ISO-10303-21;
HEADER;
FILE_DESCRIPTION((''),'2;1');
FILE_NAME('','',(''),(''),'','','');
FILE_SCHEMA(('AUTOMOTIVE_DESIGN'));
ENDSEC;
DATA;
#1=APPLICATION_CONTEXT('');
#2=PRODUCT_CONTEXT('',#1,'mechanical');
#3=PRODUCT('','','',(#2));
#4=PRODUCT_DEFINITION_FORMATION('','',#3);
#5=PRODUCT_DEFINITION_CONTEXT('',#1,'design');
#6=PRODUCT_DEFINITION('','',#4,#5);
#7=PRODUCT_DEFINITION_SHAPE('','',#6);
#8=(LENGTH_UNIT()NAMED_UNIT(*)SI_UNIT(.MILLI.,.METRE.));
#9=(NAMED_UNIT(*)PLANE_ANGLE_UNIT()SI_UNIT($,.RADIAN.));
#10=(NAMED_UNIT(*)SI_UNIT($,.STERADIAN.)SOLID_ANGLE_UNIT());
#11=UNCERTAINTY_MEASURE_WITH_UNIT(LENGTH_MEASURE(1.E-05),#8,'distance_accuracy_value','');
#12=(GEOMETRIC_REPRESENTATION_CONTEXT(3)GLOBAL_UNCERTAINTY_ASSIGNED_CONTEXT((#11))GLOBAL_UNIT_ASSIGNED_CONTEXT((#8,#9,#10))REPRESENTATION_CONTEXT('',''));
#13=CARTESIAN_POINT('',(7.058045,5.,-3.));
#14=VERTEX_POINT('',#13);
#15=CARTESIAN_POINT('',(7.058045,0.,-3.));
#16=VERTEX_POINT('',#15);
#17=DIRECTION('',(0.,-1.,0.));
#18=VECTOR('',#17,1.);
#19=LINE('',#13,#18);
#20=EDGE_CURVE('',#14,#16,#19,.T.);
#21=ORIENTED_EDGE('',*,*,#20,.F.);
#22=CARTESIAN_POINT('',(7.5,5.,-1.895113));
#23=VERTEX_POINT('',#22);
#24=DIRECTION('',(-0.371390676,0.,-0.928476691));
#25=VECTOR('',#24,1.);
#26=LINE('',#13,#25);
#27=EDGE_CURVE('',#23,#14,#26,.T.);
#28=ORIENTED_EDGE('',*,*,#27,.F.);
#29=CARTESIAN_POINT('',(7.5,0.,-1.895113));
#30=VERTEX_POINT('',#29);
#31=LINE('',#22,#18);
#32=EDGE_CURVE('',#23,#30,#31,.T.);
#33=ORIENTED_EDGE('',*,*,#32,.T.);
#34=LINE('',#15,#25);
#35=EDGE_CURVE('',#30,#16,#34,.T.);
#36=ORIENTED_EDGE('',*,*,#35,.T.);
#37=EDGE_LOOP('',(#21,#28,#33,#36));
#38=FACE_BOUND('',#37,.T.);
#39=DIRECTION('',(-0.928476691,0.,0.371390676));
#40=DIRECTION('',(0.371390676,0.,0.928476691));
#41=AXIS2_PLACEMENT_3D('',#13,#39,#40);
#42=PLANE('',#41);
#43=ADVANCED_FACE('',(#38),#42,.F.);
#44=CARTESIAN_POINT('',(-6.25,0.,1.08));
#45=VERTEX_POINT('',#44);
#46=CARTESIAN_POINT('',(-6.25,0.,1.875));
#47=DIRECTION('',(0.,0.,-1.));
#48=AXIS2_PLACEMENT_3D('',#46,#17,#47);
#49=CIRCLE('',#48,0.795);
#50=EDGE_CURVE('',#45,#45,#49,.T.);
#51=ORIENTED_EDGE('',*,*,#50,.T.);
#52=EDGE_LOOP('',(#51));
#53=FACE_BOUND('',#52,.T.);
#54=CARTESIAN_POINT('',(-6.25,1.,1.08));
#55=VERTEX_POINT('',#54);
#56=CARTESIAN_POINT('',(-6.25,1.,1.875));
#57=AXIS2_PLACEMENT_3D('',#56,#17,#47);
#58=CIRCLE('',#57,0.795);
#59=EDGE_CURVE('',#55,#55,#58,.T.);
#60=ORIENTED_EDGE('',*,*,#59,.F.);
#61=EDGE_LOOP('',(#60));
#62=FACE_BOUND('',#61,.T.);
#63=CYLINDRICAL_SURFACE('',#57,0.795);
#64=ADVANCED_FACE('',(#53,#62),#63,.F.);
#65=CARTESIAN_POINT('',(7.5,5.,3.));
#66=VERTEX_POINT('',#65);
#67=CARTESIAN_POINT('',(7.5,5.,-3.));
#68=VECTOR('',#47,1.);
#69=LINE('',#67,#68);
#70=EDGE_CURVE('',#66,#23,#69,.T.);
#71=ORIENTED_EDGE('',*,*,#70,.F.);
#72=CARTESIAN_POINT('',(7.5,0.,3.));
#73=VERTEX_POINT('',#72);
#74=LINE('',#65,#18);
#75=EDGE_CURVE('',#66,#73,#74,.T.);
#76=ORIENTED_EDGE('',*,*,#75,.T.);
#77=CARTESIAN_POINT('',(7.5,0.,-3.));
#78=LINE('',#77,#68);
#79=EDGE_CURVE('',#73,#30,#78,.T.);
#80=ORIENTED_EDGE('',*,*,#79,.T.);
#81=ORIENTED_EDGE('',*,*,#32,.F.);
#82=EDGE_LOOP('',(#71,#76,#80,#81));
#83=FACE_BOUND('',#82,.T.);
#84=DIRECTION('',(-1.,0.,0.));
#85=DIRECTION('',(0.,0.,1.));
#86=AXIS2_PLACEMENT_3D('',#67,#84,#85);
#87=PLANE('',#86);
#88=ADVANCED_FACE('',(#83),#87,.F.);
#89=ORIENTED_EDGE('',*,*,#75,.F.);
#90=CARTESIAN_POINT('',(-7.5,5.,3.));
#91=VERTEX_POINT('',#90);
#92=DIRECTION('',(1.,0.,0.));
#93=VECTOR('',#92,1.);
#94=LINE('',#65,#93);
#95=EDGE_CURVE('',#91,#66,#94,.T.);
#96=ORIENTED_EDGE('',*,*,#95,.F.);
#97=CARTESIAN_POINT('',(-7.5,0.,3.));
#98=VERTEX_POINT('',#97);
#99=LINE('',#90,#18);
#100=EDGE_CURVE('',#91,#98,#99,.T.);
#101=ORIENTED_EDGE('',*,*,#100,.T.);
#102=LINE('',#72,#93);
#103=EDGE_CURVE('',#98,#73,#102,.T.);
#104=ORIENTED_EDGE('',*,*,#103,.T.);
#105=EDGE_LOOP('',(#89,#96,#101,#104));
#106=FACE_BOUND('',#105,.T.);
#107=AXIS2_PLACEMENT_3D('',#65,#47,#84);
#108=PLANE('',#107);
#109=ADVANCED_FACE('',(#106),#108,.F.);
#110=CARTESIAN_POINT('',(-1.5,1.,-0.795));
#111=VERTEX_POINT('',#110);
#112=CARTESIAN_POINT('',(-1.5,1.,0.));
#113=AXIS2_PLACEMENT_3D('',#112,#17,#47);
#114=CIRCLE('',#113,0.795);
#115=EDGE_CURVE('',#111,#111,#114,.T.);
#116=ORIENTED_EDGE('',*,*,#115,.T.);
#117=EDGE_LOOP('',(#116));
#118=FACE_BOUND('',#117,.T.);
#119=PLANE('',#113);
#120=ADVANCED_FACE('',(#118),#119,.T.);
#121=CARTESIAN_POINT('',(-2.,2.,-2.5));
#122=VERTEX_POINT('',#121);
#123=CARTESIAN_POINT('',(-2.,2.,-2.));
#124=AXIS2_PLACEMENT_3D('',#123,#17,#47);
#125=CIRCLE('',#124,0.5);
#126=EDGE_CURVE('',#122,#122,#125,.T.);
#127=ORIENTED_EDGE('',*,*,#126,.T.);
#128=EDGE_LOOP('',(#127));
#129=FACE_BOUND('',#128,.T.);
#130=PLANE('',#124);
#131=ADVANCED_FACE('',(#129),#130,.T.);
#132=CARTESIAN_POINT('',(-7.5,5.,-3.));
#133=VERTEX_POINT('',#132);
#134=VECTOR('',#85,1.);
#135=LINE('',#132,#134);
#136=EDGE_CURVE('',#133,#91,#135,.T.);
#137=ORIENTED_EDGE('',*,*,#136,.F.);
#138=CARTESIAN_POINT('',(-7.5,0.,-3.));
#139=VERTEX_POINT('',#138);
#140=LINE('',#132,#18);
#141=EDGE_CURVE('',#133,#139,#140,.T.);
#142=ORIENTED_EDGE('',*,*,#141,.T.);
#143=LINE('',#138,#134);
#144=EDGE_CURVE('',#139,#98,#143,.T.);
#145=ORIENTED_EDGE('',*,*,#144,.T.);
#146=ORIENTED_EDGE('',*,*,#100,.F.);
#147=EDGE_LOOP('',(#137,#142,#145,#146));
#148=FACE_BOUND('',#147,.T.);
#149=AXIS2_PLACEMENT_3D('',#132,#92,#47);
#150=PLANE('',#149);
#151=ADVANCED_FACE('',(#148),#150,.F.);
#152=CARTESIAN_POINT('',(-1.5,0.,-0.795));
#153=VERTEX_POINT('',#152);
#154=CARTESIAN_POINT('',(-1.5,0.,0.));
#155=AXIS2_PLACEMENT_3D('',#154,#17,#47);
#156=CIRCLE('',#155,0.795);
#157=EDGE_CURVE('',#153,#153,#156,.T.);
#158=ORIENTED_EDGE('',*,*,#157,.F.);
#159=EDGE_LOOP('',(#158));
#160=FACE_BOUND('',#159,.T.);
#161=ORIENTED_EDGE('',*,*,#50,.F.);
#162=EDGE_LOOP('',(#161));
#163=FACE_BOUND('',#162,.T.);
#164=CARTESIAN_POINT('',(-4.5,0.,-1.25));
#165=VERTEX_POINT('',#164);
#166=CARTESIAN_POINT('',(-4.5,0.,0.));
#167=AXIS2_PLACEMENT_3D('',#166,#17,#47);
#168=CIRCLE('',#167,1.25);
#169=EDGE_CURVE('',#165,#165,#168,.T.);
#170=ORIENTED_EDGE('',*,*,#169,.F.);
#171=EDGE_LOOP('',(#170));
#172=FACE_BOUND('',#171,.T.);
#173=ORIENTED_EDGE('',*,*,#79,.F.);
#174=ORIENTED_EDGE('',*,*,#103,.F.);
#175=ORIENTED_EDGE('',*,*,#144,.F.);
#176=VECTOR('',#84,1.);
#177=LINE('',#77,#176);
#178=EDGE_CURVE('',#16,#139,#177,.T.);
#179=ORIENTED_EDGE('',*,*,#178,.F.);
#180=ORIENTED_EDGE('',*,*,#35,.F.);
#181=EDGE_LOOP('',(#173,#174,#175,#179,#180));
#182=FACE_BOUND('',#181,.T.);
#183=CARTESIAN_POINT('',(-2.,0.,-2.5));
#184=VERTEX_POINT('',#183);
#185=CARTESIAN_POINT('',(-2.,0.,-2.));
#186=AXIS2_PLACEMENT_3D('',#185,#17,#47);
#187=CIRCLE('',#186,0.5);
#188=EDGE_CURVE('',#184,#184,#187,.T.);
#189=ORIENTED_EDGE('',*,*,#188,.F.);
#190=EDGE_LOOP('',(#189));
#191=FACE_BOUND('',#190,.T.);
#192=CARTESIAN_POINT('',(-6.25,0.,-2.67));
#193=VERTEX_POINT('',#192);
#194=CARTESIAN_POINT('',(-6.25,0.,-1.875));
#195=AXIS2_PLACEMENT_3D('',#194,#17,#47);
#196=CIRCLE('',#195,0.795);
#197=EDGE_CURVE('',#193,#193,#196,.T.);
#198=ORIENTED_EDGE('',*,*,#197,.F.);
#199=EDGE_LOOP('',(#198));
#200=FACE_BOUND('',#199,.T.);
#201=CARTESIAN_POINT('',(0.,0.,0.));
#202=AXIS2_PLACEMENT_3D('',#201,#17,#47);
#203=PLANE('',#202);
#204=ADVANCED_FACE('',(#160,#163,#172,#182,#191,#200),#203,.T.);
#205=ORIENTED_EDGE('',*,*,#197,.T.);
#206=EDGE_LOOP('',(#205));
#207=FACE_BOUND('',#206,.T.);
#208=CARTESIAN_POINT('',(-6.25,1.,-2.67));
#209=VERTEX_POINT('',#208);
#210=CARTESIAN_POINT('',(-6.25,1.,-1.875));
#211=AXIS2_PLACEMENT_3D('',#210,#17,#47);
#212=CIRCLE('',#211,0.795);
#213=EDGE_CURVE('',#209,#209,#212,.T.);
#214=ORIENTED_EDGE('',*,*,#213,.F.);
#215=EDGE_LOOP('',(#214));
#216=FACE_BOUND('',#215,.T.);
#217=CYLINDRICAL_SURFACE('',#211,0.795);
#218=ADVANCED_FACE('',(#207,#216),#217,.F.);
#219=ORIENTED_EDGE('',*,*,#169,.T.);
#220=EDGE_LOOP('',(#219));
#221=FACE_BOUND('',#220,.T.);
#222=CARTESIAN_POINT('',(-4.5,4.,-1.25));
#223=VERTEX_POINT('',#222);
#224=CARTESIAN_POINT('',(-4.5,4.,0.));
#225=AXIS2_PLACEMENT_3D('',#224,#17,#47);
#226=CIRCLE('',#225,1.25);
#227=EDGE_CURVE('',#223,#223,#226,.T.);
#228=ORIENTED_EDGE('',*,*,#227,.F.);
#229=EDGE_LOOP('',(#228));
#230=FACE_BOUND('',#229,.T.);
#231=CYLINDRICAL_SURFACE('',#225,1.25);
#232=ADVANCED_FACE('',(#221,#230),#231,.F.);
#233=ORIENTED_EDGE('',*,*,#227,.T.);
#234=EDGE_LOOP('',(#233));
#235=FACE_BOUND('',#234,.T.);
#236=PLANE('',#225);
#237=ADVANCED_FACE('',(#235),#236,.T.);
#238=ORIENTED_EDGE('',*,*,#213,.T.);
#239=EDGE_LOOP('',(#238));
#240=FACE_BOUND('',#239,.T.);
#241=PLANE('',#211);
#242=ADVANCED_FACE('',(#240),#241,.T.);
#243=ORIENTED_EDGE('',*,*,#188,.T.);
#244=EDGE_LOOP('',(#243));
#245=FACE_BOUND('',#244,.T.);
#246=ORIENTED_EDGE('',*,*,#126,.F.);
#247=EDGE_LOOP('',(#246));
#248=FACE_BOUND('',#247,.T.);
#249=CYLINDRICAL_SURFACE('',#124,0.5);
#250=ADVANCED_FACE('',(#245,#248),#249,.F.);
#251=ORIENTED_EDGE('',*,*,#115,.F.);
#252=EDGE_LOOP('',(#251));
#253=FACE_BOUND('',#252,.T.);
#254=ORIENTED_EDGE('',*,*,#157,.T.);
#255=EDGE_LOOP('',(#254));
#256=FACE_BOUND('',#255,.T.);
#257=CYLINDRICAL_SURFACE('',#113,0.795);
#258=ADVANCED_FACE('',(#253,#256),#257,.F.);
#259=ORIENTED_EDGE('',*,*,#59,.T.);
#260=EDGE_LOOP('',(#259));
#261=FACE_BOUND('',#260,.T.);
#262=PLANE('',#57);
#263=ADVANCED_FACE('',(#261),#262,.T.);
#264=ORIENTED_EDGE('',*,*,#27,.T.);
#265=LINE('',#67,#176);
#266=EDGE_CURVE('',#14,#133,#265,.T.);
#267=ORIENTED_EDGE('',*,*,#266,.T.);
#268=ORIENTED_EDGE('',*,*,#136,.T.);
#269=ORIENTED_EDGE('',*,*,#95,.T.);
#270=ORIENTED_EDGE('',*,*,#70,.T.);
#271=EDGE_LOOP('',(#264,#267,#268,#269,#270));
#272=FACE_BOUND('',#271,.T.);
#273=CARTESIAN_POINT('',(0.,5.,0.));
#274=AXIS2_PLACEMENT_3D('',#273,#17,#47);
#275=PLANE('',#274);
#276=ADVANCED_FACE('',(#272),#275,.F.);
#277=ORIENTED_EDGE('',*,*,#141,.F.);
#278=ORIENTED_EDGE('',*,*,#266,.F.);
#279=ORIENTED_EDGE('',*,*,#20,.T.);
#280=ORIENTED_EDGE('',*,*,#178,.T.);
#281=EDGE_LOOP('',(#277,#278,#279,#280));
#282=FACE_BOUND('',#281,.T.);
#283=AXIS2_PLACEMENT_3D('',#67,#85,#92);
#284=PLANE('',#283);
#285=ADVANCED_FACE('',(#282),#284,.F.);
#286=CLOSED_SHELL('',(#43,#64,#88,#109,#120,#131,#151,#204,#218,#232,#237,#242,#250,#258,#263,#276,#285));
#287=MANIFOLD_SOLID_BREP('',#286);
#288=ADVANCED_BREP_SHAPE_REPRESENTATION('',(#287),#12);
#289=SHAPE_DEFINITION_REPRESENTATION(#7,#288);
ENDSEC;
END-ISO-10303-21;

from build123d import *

# Parameters (mm, degrees)
SKETCH1_W              = 15
SKETCH1_H              = 6
MAIN_BODY_DEPTH        = 5
SKETCH3_R              = 1.25
GRIN_HOLE_DEPTH        = 4
SKETCH2_R              = 0.795
MAGNET_HOLES_DEPTH     = 1
SET_SCREW_INDENT_DEPTH = 6
SKETCH5_R              = 0.5
CUT_EXTRUDE1_DEPTH     = 2


with BuildPart() as part:
    # Sketch1 → Main Body (new body)
    with BuildSketch(Plane(origin=(0, 0, 0), x_dir=(1, 0, 0), z_dir=(0, 1, 0))):
        Rectangle(SKETCH1_W, SKETCH1_H)
    extrude(amount=MAIN_BODY_DEPTH)

    # Sketch3 → GRIN Hole (cut)
    with BuildSketch(Plane.XZ):
        with Locations((-4.5, 0)):
            Circle(SKETCH3_R)
    extrude(amount=-GRIN_HOLE_DEPTH, mode=Mode.SUBTRACT)

    # Sketch2 → Magnet Holes (cut)
    with BuildSketch(Plane.XZ):
        with Locations((-6.25, -1.875)):
            Circle(SKETCH2_R)
        with Locations((-6.25, 1.875)):
            Circle(SKETCH2_R)
        with Locations((-1.5, 0)):
            Circle(SKETCH2_R)
    extrude(amount=-MAGNET_HOLES_DEPTH, mode=Mode.SUBTRACT)

    # Sketch4 → Set Screw Indent (cut, through all)
    with BuildSketch(Plane.XZ):
        Polygon((7.058045095, -3), (7.5, -1.895112738), (7.5, -3), align=None)
    extrude(amount=-SET_SCREW_INDENT_DEPTH, mode=Mode.SUBTRACT)

    # Sketch5 → Cut-Extrude1 (cut)
    with BuildSketch(Plane.XZ):
        with Locations((-2, -2)):
            Circle(SKETCH5_R)
    extrude(amount=-CUT_EXTRUDE1_DEPTH, mode=Mode.SUBTRACT)


solid = part.part
